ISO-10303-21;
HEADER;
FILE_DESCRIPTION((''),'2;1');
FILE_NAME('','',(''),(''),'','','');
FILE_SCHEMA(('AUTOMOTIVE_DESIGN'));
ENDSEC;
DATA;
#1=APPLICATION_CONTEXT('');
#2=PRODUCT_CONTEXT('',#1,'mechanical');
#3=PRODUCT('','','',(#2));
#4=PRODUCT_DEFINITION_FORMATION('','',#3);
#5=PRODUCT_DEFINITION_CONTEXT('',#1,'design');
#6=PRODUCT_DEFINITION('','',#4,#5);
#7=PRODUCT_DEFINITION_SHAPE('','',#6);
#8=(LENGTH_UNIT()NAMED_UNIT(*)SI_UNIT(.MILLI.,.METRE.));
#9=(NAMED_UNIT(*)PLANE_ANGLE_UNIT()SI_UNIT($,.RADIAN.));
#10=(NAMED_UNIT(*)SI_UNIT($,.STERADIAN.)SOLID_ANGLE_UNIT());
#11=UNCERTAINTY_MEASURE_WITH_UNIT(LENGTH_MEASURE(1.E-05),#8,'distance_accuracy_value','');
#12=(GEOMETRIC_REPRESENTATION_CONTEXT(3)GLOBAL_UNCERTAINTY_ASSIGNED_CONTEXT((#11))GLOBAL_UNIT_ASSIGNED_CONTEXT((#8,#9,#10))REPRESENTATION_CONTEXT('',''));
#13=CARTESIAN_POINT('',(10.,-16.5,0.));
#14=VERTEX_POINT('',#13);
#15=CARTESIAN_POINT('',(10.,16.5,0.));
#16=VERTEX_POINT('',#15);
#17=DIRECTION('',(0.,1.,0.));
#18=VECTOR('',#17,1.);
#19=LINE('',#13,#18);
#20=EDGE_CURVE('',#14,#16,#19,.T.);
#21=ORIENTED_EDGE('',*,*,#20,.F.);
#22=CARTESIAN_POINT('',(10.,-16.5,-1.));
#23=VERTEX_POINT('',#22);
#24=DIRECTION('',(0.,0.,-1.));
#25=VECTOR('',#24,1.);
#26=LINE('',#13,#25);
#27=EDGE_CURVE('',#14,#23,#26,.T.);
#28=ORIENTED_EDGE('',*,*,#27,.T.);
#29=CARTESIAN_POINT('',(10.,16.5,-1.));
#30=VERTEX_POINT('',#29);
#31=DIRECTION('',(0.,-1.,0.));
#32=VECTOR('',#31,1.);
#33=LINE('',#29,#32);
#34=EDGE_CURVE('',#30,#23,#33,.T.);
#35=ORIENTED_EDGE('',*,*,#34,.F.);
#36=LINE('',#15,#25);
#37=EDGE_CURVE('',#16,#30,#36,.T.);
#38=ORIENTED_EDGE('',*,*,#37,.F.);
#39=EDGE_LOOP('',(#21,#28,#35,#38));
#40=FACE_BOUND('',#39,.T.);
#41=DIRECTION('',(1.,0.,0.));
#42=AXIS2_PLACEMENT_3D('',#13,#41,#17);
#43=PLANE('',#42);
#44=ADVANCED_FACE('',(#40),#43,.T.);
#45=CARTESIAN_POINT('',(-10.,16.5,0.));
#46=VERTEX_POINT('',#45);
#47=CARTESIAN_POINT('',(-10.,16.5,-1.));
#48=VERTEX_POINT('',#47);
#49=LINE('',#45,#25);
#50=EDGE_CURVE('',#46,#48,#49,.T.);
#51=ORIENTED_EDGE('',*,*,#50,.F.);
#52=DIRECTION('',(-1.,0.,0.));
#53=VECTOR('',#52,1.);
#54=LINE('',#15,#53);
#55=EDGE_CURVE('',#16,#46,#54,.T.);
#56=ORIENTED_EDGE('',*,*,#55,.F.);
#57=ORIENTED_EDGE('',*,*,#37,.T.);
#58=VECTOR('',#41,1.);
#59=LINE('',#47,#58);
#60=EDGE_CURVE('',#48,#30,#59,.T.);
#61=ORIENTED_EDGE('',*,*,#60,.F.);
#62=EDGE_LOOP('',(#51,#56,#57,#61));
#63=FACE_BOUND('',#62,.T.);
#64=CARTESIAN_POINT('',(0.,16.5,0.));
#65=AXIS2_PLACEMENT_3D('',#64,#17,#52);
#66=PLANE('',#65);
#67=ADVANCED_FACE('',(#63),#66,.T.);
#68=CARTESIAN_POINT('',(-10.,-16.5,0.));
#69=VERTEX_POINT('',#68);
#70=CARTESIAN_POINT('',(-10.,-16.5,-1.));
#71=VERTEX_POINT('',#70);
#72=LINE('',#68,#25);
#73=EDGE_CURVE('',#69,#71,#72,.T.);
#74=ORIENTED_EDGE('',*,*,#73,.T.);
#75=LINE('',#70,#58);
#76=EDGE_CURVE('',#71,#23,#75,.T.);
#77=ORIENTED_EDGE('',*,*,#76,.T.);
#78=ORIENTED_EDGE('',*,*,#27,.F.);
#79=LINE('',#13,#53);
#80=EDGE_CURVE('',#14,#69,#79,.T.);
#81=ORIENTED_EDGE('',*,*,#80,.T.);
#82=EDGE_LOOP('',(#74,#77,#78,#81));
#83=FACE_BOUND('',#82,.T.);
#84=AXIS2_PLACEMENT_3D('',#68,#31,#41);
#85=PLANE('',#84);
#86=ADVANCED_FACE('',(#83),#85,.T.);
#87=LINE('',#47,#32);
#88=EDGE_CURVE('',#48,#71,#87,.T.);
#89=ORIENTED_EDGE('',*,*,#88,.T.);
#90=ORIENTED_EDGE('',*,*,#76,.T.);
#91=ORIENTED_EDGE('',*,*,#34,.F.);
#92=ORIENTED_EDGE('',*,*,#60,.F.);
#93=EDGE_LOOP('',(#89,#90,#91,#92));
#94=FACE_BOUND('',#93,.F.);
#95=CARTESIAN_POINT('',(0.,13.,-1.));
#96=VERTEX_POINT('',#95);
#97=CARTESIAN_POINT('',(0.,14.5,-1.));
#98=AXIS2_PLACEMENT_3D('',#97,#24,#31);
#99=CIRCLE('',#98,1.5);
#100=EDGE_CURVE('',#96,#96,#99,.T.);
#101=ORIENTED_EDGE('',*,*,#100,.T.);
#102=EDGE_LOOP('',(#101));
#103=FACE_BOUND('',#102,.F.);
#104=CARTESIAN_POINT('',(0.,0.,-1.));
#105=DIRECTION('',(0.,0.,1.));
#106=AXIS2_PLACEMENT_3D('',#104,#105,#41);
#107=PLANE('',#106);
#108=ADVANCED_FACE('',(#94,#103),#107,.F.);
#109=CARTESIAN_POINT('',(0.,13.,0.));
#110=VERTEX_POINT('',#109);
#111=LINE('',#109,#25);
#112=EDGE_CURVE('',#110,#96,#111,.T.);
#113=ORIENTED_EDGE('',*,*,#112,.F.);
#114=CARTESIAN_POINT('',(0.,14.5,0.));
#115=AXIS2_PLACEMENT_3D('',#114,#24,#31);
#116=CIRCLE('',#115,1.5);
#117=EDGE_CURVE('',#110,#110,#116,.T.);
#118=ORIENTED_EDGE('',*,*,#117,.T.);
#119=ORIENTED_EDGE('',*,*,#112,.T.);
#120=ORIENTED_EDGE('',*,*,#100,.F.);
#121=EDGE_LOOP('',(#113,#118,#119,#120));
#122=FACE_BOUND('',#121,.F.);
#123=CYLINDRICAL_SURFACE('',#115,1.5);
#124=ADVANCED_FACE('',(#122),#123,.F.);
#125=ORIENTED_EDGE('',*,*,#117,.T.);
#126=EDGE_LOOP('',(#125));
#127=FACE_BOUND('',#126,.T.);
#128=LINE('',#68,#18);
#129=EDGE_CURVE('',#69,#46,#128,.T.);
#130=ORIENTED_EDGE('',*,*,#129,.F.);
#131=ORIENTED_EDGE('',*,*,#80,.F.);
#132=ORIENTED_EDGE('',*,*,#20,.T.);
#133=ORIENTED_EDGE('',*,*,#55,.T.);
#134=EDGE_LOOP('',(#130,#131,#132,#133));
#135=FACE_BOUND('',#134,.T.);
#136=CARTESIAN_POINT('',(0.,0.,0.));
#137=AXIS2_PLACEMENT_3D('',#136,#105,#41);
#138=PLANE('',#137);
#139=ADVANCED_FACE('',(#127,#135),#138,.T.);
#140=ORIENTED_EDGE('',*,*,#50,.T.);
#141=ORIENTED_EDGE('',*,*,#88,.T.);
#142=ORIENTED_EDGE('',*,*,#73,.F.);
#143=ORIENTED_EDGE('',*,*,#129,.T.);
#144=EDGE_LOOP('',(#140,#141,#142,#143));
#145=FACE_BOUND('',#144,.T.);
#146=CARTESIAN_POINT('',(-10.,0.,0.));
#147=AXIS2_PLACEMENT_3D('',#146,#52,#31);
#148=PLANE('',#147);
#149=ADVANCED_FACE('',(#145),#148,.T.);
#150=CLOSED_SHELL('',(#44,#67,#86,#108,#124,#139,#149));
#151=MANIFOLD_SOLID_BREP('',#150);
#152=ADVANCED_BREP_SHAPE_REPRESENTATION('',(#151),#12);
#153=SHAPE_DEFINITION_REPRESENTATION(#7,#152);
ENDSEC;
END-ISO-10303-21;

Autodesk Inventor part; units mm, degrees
ref_plane "YZ Plane" through (0, 0, 0) normal (1, 0, 0) x (0, 1, 0)
ref_plane "XZ Plane" through (0, 0, 0) normal (0, 1, 0) x (-1, 0, 0)
ref_plane "XY Plane" through (0, 0, 0) normal (0, 0, 1) x (1, 0, 0)
sketch "Sketch1" plane through (0, 0, 0) normal (0, 0, 1) x (1, 0, 0)
  line L0 (-10, -16.5) -> (10, -16.5)
  line L1 (10, -16.5) -> (10, 16.5)
  line L2 (10, 16.5) -> (-10, 16.5)
  line L3 (-10, 16.5) -> (-10, -16.5)
  line L4 (-10, -16.5) -> (10, 16.5) construction
  line L5 (10, -16.5) -> (-10, 16.5) construction
  line L6 (0, 16.5) -> (0, -16.5)
  line L7 (-10, 0) -> (10, 0)
  circle A0 centre (0, 14.5) radius 1.5
  line L8 (-10, 14.5) -> (10, 14.5) construction
  line L9 (10, 14.5) -> (-10, 14.5) construction
  point P0 (0, 0)
  point P1 (-8, 14.5)
  point P2 (-4, 14.5)
  point P3 (8, 14.5)
  point P4 (4, 14.5)
  point P5 (7, -3.5)
  dimension "d0" = 20
  dimension "d1" = 33
  dimension "d2" = 3
  dimension "d3" = 2
  dimension "d4" = 2
  dimension "d5" = 6
  dimension "d6" = 2
  dimension "d7" = 20
  dimension "d8" = 3
extrude "Extrusion1" add sketch "Sketch1" against normal blind 1
hole "Hole1" at (0, 14.5, 0) direction (0, 0, -1) diameter 3 end through all
properties part number "ShellyUni"
